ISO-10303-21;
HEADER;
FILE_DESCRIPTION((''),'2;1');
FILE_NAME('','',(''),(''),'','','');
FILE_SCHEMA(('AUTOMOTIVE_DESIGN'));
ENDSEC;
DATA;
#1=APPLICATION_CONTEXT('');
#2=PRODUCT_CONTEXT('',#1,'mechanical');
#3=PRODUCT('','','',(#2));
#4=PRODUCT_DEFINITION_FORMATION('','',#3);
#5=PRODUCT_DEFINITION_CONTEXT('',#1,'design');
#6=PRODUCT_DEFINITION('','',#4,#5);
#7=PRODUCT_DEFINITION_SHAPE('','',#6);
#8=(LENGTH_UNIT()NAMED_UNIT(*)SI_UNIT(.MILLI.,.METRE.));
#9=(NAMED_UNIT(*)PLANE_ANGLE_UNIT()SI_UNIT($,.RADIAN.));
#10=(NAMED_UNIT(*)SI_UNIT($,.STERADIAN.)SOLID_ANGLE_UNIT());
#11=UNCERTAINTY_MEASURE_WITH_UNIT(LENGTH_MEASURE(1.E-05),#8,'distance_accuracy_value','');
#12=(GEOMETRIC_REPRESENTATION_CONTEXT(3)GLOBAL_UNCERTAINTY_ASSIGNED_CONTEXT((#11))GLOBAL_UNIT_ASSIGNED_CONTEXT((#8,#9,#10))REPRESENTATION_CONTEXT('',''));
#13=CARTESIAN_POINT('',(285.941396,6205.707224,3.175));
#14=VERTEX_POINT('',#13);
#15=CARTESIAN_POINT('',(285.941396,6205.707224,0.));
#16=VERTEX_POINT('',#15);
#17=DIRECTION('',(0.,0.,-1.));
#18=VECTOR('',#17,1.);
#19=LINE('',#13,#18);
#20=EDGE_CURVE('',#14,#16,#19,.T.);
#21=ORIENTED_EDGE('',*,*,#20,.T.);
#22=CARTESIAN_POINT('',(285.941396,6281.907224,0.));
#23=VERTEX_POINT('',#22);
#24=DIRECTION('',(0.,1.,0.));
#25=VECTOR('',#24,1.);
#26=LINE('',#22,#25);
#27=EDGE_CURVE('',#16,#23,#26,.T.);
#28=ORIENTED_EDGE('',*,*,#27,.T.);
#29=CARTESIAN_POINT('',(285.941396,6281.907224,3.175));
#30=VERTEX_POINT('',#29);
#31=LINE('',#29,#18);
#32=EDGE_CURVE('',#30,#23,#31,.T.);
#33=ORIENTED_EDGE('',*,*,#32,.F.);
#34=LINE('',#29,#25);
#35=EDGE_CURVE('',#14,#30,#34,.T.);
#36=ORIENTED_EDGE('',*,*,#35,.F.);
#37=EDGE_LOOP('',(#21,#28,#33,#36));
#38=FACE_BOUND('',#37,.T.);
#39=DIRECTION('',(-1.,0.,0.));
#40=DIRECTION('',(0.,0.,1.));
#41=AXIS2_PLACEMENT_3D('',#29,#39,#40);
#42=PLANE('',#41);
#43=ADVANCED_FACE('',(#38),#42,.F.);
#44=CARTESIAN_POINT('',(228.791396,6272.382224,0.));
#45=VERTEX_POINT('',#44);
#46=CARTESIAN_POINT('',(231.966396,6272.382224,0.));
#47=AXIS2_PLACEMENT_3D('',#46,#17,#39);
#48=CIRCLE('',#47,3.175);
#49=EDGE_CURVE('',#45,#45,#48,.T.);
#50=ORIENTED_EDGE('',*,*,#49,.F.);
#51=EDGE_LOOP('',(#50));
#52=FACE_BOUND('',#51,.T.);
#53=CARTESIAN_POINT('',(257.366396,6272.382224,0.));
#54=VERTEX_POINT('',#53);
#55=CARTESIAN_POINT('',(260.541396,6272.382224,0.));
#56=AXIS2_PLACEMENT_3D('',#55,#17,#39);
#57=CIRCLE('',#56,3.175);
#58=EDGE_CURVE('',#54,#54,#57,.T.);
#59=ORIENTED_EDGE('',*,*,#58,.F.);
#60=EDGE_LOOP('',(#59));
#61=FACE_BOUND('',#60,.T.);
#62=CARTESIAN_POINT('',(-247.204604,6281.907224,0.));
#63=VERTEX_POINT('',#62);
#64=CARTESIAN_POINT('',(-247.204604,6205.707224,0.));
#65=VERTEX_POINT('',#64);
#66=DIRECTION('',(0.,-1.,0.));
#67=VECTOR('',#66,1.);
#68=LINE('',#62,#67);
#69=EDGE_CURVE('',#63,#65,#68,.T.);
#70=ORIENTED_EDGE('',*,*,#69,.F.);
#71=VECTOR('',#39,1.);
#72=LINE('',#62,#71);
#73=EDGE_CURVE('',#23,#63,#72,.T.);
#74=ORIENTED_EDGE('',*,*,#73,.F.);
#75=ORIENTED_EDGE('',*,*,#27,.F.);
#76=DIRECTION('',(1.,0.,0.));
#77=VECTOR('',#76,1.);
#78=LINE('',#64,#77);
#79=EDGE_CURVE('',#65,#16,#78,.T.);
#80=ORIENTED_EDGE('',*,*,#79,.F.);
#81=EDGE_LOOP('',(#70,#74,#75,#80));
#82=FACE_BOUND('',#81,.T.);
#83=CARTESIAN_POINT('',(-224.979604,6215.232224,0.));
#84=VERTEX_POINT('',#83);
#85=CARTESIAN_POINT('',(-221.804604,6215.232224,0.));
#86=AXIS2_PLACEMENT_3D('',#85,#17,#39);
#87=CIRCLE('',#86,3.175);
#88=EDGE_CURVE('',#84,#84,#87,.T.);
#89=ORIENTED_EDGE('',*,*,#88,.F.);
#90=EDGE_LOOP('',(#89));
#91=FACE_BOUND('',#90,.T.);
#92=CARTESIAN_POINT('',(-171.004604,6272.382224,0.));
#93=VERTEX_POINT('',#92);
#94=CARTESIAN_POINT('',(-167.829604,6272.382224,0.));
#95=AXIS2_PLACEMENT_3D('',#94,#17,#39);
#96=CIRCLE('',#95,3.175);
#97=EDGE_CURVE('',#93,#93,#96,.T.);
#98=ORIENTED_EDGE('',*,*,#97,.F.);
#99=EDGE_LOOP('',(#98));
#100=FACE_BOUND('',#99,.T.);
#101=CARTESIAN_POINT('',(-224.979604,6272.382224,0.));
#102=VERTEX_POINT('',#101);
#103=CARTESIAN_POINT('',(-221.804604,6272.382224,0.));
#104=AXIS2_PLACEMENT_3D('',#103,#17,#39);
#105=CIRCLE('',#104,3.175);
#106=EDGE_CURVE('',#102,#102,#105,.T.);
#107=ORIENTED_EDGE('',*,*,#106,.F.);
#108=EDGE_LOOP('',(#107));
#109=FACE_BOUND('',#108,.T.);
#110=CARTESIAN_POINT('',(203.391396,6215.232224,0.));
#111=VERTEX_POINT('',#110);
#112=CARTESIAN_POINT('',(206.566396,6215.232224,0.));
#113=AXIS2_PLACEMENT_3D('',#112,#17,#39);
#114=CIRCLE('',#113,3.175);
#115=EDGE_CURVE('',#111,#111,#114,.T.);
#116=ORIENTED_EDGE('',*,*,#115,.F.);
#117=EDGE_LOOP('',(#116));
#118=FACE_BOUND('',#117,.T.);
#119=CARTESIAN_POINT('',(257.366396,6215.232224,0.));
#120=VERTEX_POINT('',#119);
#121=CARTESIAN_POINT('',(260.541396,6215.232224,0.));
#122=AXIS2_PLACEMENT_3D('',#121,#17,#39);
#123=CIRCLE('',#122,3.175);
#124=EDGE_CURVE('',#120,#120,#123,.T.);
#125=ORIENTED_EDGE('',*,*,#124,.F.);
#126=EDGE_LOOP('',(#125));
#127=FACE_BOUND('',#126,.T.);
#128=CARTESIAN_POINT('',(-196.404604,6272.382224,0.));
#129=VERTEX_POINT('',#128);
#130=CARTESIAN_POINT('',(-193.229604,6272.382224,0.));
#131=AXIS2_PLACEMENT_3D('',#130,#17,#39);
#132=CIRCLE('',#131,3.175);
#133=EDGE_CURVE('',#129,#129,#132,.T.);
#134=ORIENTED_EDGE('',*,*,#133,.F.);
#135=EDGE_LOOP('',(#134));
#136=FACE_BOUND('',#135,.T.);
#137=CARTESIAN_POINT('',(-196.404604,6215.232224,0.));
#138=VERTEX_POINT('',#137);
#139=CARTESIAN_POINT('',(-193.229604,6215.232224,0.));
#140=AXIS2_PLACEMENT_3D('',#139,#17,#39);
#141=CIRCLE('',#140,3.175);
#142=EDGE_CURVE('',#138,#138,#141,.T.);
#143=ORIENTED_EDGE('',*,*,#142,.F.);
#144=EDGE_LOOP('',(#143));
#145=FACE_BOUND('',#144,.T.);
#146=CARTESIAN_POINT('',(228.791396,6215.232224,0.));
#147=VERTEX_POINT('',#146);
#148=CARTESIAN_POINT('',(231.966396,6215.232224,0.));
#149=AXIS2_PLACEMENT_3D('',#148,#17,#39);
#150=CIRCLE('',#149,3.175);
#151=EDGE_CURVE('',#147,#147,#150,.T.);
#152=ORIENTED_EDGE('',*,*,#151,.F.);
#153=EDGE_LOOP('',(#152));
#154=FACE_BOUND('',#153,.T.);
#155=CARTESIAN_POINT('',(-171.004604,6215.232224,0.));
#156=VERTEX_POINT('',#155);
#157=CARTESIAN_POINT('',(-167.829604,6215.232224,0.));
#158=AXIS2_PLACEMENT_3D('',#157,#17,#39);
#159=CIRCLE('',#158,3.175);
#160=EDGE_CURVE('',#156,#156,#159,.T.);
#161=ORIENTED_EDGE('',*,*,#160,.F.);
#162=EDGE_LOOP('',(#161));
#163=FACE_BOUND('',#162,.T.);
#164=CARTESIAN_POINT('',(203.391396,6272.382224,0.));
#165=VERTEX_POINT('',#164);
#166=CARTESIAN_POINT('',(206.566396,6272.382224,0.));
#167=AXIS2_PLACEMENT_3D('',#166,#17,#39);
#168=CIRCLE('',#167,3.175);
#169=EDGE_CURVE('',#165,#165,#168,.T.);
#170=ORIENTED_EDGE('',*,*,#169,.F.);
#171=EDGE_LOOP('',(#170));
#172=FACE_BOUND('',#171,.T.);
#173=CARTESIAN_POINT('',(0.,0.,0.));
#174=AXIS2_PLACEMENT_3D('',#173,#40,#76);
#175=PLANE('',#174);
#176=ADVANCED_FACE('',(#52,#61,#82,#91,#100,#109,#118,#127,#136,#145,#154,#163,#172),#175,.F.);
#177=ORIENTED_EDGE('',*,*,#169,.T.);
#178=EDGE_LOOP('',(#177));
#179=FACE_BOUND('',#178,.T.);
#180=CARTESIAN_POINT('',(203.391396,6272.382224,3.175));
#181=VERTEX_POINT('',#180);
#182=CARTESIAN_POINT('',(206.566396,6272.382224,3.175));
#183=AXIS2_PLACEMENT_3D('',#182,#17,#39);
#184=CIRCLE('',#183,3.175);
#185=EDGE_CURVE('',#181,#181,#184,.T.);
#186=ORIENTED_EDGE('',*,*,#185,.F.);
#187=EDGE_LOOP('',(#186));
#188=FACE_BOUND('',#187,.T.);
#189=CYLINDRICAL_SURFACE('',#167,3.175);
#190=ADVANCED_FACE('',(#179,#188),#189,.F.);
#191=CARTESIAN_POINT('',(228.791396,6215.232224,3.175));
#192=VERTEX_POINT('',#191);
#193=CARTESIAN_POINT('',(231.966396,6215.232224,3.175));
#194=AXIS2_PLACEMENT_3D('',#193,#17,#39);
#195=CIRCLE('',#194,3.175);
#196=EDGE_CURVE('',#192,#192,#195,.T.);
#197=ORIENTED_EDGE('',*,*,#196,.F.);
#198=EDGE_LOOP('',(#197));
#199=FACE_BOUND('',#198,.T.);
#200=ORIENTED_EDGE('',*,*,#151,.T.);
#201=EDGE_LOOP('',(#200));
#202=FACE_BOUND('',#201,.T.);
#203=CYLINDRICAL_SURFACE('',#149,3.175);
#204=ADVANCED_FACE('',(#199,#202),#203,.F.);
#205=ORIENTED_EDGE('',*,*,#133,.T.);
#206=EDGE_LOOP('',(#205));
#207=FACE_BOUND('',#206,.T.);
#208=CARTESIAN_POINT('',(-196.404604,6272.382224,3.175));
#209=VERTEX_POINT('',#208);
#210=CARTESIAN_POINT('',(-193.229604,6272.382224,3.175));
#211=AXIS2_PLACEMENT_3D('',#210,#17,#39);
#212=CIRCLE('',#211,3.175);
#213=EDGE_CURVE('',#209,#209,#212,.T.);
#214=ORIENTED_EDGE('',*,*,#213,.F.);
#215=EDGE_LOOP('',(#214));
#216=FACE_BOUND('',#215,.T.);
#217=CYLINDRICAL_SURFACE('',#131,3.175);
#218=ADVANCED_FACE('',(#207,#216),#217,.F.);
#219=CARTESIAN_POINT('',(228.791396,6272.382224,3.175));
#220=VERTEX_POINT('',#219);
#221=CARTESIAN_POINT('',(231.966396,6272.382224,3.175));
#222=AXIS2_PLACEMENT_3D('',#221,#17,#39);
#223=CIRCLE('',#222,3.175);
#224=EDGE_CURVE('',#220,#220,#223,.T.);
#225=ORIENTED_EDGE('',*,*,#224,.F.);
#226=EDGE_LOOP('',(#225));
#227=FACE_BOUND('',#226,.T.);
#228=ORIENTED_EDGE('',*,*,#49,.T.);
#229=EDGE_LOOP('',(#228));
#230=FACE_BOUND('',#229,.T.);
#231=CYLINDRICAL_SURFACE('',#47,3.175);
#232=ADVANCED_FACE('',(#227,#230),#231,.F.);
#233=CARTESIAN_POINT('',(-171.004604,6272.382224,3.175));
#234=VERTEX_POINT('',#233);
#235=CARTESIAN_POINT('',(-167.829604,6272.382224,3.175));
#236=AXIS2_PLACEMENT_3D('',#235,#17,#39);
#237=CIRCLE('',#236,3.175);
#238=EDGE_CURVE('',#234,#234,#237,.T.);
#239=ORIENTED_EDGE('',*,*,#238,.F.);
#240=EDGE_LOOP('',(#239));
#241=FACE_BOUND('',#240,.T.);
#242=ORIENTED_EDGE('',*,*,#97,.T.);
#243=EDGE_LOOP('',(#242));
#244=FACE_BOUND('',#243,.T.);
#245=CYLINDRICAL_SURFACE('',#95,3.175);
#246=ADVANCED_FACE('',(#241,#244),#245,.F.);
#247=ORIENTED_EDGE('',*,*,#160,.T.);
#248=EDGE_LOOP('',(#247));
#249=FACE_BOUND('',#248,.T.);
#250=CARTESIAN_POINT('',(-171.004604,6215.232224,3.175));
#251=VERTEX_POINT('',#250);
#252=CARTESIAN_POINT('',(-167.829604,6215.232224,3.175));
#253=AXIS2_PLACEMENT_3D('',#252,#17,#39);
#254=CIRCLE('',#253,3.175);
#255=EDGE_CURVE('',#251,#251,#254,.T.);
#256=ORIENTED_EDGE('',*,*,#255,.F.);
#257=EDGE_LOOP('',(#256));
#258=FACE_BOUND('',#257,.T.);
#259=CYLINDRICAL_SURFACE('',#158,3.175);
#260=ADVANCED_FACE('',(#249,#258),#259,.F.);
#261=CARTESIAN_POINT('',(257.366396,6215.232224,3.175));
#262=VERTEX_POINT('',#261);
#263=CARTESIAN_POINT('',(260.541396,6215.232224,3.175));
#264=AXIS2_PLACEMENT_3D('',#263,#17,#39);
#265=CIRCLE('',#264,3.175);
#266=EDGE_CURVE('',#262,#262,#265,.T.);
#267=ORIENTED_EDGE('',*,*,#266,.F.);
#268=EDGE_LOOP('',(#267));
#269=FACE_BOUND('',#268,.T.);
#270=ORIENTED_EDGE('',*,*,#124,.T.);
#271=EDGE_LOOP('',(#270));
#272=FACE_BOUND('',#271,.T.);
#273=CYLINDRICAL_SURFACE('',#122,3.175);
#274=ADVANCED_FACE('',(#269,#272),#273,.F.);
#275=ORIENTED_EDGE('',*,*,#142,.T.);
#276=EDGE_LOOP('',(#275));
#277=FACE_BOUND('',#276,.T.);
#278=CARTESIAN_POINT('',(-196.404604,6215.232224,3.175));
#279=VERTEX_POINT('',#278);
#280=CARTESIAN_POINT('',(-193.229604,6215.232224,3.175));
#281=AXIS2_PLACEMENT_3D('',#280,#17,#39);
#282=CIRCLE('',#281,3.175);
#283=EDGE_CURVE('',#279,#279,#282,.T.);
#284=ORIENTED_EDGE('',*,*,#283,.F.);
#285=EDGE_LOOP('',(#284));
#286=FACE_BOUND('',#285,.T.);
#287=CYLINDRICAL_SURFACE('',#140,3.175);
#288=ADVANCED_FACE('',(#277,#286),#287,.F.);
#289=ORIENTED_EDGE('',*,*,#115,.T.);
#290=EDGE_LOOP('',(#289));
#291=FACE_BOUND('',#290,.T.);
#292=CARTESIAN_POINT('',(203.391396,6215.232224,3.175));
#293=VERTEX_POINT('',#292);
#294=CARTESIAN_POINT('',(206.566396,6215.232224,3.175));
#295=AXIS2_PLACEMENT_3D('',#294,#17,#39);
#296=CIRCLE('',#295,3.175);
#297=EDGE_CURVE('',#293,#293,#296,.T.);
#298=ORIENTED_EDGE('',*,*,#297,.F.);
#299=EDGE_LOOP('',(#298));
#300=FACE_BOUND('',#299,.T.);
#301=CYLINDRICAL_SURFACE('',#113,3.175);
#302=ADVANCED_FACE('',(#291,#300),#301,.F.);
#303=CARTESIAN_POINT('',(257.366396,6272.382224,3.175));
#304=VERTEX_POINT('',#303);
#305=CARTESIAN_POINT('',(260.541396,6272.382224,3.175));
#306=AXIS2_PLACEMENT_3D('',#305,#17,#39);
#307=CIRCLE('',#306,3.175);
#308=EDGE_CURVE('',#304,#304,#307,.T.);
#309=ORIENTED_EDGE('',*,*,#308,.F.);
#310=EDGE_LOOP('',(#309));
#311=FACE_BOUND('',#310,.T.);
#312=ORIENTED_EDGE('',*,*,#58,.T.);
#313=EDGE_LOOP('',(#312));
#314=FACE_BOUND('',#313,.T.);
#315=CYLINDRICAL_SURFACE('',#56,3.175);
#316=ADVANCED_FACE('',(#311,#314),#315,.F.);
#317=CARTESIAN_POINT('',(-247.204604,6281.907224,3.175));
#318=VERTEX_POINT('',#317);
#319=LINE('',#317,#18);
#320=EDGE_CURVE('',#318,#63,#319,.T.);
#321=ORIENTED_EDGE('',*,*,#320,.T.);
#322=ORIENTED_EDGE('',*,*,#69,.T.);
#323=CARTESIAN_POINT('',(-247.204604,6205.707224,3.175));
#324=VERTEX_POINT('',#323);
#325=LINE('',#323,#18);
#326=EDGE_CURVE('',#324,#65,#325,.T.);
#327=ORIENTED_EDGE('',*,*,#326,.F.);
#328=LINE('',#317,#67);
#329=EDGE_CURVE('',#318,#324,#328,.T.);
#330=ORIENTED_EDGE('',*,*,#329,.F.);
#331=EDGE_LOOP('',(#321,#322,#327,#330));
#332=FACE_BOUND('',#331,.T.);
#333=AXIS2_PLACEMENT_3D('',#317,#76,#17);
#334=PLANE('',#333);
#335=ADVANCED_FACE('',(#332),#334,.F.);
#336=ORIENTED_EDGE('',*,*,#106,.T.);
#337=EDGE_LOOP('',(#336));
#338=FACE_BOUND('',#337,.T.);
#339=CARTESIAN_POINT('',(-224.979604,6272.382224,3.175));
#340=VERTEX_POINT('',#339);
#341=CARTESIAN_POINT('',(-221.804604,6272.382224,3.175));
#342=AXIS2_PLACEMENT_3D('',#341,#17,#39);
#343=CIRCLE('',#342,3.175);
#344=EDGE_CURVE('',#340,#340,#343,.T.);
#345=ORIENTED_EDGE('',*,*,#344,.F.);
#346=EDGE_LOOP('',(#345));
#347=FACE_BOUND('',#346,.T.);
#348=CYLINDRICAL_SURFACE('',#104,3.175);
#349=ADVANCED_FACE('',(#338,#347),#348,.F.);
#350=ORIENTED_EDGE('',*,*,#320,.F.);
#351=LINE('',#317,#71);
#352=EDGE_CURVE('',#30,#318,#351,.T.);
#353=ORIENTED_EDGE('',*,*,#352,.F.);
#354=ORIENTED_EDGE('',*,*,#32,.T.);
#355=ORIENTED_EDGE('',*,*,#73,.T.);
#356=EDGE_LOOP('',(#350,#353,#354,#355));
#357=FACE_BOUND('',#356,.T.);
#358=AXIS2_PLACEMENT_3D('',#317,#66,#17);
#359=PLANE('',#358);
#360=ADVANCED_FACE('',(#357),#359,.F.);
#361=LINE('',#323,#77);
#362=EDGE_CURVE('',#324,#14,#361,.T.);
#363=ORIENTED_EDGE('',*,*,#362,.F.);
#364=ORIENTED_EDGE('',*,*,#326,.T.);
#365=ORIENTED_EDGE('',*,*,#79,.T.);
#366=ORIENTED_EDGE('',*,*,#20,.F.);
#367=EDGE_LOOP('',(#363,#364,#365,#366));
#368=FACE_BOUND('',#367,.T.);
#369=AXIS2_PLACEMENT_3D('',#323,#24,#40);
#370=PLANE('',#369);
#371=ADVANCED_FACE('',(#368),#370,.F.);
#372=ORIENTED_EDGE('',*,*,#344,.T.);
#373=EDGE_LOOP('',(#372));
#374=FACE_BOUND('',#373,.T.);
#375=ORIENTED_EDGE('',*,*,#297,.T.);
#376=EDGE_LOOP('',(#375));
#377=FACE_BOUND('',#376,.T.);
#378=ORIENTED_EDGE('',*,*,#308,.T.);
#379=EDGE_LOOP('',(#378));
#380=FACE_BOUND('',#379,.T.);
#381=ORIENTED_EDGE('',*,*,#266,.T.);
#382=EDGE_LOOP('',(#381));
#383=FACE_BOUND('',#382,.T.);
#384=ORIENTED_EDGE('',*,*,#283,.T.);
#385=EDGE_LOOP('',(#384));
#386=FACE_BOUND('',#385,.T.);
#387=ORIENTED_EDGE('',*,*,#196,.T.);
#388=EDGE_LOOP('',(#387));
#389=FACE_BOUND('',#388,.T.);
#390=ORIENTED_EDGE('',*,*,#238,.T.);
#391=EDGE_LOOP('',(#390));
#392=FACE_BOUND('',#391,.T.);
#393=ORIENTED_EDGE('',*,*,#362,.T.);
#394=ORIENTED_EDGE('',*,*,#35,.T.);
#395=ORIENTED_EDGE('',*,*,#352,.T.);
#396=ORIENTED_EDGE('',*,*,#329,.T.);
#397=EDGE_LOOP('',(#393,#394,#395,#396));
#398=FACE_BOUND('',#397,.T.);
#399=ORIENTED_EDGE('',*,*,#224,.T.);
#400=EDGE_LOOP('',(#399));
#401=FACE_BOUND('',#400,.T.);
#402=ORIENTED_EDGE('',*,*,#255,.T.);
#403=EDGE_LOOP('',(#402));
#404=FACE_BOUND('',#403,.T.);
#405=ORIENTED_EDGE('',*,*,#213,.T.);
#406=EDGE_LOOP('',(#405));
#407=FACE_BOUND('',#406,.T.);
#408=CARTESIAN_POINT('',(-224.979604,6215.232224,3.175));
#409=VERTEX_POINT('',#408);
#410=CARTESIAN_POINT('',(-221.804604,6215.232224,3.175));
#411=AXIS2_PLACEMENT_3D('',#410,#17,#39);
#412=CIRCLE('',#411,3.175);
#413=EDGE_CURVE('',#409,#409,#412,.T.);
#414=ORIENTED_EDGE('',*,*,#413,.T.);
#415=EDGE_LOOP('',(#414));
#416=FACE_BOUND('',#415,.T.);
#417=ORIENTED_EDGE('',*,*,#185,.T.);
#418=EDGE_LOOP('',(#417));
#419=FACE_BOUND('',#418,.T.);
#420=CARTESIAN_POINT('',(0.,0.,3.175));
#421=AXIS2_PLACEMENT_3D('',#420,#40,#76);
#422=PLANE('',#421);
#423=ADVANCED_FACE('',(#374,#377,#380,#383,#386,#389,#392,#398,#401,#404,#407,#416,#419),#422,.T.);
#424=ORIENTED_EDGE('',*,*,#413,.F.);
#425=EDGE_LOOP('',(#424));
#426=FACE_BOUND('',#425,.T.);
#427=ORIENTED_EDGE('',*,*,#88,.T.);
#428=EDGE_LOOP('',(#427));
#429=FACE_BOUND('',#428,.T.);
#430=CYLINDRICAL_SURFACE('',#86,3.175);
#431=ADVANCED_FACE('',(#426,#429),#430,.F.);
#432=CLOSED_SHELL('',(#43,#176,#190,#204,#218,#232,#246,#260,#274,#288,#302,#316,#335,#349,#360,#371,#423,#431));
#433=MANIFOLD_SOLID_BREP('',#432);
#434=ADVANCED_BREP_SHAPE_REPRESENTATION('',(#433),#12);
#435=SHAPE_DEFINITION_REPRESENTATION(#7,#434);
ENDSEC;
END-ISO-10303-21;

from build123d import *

# Parameters (mm, degrees)
SKETCH1_W                   = 533.146
SKETCH1_H                   = 76.2
BOSS_EXTRUDE1_DEPTH         = 3.175
F_1_4_0_25_DIAMETER_HOLE1_D = 6.35


with BuildPart() as part:
    # Sketch1 → Boss-Extrude1 (new body)
    with BuildSketch(Plane(origin=(0, -330.2, 0), x_dir=(1, 0, 0), z_dir=(0, 0, 1))):
        with Locations((19.368396109, 6574.00722403)):
            Rectangle(SKETCH1_W, SKETCH1_H)
    extrude(amount=BOSS_EXTRUDE1_DEPTH)

    # 1/4 (0.25) Diameter Hole1 (through all)
    with Locations(Plane(origin=(0, 0, 0), x_dir=(-1, 0, 0), z_dir=(0, 0, -1))):
        with Locations((-231.966396109, 6215.23222403), (-206.566396109, 6215.23222403), (-206.566396109, 6272.38222403), (-231.966396109, 6272.38222403), (-260.541396109, 6215.23222403), (-260.541396109, 6272.38222403), (221.804603891, 6272.38222403), (221.804603891, 6215.23222403), (193.229603891, 6272.38222403), (167.829603891, 6272.38222403), (167.829603891, 6215.23222403), (193.229603891, 6215.23222403)):
            Hole(F_1_4_0_25_DIAMETER_HOLE1_D / 2)


solid = part.part
